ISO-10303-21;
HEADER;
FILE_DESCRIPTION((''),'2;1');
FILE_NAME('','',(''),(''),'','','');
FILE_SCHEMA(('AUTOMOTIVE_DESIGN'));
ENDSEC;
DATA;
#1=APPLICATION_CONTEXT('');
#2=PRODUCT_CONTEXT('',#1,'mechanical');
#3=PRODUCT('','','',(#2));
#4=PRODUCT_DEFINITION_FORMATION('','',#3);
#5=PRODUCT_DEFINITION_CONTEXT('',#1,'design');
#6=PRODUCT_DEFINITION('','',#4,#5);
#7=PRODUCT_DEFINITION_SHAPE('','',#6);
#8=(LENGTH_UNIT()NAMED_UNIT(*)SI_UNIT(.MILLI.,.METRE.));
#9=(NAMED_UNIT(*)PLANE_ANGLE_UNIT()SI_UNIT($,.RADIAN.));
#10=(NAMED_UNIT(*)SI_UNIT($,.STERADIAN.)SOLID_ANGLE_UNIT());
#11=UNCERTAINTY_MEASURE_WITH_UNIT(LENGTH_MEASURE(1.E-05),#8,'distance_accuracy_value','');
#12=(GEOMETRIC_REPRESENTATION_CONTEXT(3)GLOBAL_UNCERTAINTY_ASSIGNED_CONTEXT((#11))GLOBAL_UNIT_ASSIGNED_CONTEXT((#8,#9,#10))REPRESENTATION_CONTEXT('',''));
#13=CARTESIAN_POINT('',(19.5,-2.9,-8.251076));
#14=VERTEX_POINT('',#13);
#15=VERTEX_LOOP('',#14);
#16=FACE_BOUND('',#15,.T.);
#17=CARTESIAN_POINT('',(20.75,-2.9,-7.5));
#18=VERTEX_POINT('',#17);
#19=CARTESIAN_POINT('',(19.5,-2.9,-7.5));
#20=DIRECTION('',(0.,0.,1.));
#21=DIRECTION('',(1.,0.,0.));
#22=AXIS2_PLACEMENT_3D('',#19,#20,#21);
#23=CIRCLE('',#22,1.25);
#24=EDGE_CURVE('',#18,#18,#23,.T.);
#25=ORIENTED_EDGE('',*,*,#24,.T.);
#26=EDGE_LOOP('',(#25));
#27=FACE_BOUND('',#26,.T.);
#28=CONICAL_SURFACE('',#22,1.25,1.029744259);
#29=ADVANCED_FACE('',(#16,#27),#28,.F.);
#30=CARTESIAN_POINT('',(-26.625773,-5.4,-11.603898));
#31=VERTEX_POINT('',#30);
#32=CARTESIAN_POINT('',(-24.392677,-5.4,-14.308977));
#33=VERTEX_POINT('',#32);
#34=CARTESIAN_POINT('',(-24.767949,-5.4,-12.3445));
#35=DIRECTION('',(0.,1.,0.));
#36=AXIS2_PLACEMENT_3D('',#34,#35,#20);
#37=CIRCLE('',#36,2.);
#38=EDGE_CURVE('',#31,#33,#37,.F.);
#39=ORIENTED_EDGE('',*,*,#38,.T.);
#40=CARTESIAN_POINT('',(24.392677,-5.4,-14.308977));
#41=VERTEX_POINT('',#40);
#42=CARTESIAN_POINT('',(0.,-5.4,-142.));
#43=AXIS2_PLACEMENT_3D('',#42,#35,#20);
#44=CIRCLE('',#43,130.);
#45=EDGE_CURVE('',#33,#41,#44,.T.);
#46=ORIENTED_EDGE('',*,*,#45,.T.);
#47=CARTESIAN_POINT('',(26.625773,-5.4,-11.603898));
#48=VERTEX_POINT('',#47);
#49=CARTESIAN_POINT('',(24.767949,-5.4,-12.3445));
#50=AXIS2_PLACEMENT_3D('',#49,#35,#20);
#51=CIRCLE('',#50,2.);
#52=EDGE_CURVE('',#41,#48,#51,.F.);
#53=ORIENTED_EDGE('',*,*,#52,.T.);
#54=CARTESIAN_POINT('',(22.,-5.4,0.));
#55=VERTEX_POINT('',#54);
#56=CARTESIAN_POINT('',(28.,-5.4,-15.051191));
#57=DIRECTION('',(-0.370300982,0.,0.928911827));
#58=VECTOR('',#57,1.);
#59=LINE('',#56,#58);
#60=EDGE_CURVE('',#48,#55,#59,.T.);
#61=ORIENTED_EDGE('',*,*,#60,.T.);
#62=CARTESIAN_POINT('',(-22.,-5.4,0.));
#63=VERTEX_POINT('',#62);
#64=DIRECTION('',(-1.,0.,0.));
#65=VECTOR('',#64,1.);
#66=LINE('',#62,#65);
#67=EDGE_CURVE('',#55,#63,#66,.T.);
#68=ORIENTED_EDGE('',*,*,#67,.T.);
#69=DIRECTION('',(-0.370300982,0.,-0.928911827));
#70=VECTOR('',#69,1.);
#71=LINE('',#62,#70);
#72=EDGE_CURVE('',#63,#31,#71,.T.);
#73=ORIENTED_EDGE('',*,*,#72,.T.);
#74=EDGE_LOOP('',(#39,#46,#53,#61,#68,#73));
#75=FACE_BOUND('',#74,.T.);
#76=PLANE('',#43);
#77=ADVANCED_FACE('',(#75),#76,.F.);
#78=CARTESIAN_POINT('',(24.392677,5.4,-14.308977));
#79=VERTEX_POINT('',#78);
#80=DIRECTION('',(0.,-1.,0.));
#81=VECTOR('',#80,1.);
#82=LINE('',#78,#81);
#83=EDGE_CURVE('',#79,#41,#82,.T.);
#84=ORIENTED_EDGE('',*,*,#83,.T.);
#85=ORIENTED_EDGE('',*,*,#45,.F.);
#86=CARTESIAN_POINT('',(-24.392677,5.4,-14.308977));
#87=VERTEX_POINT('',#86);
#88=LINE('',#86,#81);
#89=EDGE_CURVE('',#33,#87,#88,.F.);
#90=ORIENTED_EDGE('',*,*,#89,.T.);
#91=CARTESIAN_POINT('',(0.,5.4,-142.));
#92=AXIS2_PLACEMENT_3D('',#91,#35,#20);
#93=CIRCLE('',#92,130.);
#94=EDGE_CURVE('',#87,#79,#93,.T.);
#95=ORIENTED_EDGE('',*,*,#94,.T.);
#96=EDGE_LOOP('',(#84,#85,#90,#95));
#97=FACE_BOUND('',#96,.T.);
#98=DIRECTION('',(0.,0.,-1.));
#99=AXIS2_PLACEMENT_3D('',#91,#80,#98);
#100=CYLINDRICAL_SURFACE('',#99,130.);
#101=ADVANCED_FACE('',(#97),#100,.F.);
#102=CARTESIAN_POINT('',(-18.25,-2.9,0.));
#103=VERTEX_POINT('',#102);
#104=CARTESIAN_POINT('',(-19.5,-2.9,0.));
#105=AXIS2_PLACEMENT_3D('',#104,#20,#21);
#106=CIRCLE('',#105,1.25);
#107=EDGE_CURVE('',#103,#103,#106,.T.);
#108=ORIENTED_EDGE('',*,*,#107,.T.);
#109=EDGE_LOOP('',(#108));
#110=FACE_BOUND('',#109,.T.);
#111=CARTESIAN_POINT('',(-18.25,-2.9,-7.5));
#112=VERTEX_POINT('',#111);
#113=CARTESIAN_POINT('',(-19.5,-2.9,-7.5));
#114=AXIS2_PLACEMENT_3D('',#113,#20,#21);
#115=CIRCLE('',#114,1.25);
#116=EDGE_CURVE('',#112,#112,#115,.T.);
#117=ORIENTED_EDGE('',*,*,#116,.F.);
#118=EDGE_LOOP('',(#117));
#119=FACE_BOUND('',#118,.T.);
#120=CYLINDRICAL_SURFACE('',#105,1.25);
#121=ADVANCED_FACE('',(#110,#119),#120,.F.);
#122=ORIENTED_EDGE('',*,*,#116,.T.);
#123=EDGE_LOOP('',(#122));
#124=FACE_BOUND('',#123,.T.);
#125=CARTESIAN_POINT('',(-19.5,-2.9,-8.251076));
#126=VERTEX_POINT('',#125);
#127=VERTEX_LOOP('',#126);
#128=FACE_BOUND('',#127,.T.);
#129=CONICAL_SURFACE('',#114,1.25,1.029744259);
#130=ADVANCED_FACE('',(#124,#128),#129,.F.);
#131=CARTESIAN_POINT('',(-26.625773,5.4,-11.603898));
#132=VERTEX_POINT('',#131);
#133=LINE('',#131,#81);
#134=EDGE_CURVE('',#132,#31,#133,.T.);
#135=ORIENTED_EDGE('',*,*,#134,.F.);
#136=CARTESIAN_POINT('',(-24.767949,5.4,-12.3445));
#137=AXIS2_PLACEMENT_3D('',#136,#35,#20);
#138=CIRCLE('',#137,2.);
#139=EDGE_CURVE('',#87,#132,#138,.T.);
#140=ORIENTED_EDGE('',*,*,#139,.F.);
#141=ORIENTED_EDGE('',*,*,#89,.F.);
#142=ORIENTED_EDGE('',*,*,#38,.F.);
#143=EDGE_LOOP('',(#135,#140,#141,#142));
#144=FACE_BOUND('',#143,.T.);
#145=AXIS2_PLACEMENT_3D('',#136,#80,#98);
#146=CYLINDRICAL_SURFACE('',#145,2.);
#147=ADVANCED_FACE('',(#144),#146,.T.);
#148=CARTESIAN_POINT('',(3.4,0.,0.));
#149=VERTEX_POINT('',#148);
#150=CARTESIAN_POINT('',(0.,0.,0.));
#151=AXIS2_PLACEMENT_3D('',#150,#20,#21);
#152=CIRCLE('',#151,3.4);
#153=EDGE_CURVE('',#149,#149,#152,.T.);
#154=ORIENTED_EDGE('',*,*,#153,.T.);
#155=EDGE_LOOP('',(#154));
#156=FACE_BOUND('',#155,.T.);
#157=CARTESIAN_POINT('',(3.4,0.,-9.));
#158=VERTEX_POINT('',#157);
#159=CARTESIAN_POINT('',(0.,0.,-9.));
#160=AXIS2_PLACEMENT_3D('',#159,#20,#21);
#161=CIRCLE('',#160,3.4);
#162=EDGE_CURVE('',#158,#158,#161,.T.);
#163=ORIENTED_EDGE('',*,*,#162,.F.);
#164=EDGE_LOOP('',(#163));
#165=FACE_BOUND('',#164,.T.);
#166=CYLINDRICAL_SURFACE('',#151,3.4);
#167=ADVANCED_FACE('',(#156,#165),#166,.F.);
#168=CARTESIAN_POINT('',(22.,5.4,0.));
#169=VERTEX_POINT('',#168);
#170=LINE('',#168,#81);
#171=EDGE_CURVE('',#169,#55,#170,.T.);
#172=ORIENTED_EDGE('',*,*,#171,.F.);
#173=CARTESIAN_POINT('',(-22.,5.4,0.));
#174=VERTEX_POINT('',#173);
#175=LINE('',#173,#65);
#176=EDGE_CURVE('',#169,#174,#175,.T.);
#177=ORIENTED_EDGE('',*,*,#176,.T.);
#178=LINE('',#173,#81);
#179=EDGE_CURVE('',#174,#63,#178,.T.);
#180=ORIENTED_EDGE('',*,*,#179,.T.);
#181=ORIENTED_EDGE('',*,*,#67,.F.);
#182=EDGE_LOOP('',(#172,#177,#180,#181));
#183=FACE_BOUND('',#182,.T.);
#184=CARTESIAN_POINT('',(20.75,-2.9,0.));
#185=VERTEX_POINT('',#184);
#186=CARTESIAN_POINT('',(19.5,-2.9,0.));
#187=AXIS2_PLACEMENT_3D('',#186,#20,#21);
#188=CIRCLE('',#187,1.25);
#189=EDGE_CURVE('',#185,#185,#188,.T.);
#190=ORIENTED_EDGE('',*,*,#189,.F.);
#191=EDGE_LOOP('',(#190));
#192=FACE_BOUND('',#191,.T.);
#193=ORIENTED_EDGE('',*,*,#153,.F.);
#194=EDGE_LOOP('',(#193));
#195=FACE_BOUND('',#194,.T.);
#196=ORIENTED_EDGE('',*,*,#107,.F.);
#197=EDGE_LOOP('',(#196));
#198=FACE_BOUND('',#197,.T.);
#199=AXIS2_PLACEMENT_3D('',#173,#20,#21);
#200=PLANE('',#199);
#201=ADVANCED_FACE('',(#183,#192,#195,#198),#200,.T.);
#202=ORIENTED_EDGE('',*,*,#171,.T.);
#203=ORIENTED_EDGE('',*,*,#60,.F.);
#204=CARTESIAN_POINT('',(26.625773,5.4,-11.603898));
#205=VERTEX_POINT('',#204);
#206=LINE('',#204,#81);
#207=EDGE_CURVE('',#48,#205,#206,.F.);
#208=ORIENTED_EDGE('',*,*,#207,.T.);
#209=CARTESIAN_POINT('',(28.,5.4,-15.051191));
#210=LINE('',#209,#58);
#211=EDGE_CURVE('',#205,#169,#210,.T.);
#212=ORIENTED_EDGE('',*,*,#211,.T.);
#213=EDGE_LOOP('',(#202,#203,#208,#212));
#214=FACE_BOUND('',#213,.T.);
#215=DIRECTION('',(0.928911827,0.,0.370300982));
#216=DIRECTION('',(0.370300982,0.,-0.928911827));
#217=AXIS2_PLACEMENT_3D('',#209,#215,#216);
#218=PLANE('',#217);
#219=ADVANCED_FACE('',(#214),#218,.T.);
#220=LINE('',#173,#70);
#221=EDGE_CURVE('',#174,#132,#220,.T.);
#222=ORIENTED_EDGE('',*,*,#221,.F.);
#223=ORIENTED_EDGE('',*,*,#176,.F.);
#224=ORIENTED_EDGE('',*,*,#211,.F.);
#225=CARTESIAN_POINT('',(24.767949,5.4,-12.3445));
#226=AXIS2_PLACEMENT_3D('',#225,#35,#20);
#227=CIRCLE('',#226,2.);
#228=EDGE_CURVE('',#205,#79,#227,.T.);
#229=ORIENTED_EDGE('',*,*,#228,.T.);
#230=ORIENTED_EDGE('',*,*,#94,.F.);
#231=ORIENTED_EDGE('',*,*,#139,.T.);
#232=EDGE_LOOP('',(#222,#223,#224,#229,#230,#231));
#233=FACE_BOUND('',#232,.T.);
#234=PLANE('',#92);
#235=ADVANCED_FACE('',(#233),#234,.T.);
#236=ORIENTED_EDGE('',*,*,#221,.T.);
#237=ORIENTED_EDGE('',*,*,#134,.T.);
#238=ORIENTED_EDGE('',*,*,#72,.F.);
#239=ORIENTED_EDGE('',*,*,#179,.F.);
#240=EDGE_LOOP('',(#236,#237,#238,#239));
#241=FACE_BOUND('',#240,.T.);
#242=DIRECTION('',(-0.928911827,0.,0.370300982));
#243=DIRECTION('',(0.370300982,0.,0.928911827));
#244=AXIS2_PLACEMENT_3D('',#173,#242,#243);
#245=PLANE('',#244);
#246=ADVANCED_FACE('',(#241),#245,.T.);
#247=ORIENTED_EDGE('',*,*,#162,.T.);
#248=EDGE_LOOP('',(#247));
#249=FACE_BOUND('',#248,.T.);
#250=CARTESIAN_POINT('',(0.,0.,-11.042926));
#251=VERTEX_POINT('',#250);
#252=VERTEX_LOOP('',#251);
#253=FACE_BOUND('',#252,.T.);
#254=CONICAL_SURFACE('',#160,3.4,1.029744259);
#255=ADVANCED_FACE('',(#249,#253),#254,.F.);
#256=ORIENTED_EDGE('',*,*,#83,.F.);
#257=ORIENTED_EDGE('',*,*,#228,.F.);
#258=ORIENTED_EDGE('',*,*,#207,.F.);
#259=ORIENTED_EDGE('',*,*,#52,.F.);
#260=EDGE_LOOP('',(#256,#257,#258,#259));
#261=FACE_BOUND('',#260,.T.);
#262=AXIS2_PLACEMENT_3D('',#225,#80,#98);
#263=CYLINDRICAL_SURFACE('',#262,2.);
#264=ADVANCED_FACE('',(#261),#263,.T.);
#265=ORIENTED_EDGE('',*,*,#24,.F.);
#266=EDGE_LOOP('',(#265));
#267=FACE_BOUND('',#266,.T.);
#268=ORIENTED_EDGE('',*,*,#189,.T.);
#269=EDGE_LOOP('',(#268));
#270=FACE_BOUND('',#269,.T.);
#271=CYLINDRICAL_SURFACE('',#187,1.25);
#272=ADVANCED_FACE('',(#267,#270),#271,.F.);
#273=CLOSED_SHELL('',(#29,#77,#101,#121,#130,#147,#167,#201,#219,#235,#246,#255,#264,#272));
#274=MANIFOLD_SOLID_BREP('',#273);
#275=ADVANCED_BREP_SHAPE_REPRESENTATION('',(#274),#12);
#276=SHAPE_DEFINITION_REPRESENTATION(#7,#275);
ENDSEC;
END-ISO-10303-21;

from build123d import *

# Parameters (mm, degrees)
SKETCH_1_R                = 5.4
EXTRUDE_1_DEPTH           = 45
EXTRUDE_3_DEPTH           = 5.4
M8X1_0_TAPPED_HOLE1_D     = 7
M8X1_0_TAPPED_HOLE1_DEPTH = 13
M8X1_0_TAPPED_HOLE1_TIP   = 2.103012167
M3_TAPPED_HOLE1_D         = 2.5
M3_TAPPED_HOLE1_DEPTH     = 7.5
M3_TAPPED_HOLE1_TIP       = 0.751075774
CHAMFER_2_SIZE            = 0.5
SKETCH_9_R                = 4.25
CUT_EXTRUDE_5_DEPTH       = 2
CHAMFER_3_SIZE            = 0.5
SKETCH_10_R               = 6.935438506
CUT_EXTRUDE_1_DEPTH       = 86
HOLE_WIZARD_M8_1_D        = 6.8
HOLE_WIZARD_M8_1_DEPTH    = 9
HOLE_WIZARD_M8_1_TIP      = 2.042926105
FILLET_1_R                = 2


with BuildPart() as part:
    # 草图1 → 拉伸1 (new body)
    with BuildSketch(Plane.XY):
        with Locations(Location((0, 0, 0), (0, 0, 180))):
            Circle(SKETCH_1_R)
    extrude(amount=EXTRUDE_1_DEPTH)

    # 草图4 → 拉伸3 (add, symmetric)
    with BuildSketch(Plane.XZ):
        with BuildLine():
            Line((-22, 0), (22, 0))
            Line((22, 0), (28, -15.05119142))
            ThreePointArc((28, -15.05119142), (0, -12), (-28, -15.05119142))
            Line((-28, -15.05119142), (-22, 0))
        make_face()
    extrude(amount=EXTRUDE_3_DEPTH, both=True)

    # M8x1.0 Tapped Hole1
    with Locations(Plane.XY.offset(45)):
        with Locations((0, 0)):
            Hole(M8X1_0_TAPPED_HOLE1_D / 2, depth=M8X1_0_TAPPED_HOLE1_DEPTH)
            with Locations((0, 0, -(M8X1_0_TAPPED_HOLE1_DEPTH + M8X1_0_TAPPED_HOLE1_TIP / 2))):  # 118° drill point
                Cone(0, M8X1_0_TAPPED_HOLE1_D / 2, M8X1_0_TAPPED_HOLE1_TIP, mode=Mode.SUBTRACT)

    # M3 Tapped Hole1
    with Locations(Plane(origin=(-19.5, -2.9, 0), x_dir=(0, 1, 0), z_dir=(0, 0, 1))):
        with Locations((0, 0), (0, -39)):
            Hole(M3_TAPPED_HOLE1_D / 2, depth=M3_TAPPED_HOLE1_DEPTH)
            with Locations((0, 0, -(M3_TAPPED_HOLE1_DEPTH + M3_TAPPED_HOLE1_TIP / 2))):  # 118° drill point
                Cone(0, M3_TAPPED_HOLE1_D / 2, M3_TAPPED_HOLE1_TIP, mode=Mode.SUBTRACT)

    # 倒角2
    chamfer_2_edges = [part.edges().sort_by_distance(p)[0] for p in [
        (5.4, 0, 45),
    ]]
    chamfer(chamfer_2_edges, length=CHAMFER_2_SIZE)

    # 草图9 → 拉伸5 (cut)
    with BuildSketch(Plane.XY.offset(45)):
        Circle(SKETCH_9_R)
    extrude(amount=-CUT_EXTRUDE_5_DEPTH, mode=Mode.SUBTRACT)

    # 倒角3
    chamfer_3_edges = [part.edges().sort_by_distance(p)[0] for p in [
        (-4.25, 0, 45),
        (3.5, 0, 43),
    ]]
    chamfer(chamfer_3_edges, length=CHAMFER_3_SIZE)

    # 草图10 → 切除-拉伸1 (cut)
    with BuildSketch(Plane.XY):
        Circle(SKETCH_10_R)
    extrude(amount=CUT_EXTRUDE_1_DEPTH, mode=Mode.SUBTRACT)

    # M8 螺纹孔1
    with Locations(Plane.XY):
        with Locations((0, 0)):
            Hole(HOLE_WIZARD_M8_1_D / 2, depth=HOLE_WIZARD_M8_1_DEPTH)
            with Locations((0, 0, -(HOLE_WIZARD_M8_1_DEPTH + HOLE_WIZARD_M8_1_TIP / 2))):  # 118° drill point
                Cone(0, HOLE_WIZARD_M8_1_D / 2, HOLE_WIZARD_M8_1_TIP, mode=Mode.SUBTRACT)

    # 圆角1
    fillet_1_edges = [part.edges().sort_by_distance(p)[0] for p in [
        (-28, 0, -15.05119142),
        (28, 0, -15.05119142),
    ]]
    fillet(fillet_1_edges, radius=FILLET_1_R)


solid = part.part
